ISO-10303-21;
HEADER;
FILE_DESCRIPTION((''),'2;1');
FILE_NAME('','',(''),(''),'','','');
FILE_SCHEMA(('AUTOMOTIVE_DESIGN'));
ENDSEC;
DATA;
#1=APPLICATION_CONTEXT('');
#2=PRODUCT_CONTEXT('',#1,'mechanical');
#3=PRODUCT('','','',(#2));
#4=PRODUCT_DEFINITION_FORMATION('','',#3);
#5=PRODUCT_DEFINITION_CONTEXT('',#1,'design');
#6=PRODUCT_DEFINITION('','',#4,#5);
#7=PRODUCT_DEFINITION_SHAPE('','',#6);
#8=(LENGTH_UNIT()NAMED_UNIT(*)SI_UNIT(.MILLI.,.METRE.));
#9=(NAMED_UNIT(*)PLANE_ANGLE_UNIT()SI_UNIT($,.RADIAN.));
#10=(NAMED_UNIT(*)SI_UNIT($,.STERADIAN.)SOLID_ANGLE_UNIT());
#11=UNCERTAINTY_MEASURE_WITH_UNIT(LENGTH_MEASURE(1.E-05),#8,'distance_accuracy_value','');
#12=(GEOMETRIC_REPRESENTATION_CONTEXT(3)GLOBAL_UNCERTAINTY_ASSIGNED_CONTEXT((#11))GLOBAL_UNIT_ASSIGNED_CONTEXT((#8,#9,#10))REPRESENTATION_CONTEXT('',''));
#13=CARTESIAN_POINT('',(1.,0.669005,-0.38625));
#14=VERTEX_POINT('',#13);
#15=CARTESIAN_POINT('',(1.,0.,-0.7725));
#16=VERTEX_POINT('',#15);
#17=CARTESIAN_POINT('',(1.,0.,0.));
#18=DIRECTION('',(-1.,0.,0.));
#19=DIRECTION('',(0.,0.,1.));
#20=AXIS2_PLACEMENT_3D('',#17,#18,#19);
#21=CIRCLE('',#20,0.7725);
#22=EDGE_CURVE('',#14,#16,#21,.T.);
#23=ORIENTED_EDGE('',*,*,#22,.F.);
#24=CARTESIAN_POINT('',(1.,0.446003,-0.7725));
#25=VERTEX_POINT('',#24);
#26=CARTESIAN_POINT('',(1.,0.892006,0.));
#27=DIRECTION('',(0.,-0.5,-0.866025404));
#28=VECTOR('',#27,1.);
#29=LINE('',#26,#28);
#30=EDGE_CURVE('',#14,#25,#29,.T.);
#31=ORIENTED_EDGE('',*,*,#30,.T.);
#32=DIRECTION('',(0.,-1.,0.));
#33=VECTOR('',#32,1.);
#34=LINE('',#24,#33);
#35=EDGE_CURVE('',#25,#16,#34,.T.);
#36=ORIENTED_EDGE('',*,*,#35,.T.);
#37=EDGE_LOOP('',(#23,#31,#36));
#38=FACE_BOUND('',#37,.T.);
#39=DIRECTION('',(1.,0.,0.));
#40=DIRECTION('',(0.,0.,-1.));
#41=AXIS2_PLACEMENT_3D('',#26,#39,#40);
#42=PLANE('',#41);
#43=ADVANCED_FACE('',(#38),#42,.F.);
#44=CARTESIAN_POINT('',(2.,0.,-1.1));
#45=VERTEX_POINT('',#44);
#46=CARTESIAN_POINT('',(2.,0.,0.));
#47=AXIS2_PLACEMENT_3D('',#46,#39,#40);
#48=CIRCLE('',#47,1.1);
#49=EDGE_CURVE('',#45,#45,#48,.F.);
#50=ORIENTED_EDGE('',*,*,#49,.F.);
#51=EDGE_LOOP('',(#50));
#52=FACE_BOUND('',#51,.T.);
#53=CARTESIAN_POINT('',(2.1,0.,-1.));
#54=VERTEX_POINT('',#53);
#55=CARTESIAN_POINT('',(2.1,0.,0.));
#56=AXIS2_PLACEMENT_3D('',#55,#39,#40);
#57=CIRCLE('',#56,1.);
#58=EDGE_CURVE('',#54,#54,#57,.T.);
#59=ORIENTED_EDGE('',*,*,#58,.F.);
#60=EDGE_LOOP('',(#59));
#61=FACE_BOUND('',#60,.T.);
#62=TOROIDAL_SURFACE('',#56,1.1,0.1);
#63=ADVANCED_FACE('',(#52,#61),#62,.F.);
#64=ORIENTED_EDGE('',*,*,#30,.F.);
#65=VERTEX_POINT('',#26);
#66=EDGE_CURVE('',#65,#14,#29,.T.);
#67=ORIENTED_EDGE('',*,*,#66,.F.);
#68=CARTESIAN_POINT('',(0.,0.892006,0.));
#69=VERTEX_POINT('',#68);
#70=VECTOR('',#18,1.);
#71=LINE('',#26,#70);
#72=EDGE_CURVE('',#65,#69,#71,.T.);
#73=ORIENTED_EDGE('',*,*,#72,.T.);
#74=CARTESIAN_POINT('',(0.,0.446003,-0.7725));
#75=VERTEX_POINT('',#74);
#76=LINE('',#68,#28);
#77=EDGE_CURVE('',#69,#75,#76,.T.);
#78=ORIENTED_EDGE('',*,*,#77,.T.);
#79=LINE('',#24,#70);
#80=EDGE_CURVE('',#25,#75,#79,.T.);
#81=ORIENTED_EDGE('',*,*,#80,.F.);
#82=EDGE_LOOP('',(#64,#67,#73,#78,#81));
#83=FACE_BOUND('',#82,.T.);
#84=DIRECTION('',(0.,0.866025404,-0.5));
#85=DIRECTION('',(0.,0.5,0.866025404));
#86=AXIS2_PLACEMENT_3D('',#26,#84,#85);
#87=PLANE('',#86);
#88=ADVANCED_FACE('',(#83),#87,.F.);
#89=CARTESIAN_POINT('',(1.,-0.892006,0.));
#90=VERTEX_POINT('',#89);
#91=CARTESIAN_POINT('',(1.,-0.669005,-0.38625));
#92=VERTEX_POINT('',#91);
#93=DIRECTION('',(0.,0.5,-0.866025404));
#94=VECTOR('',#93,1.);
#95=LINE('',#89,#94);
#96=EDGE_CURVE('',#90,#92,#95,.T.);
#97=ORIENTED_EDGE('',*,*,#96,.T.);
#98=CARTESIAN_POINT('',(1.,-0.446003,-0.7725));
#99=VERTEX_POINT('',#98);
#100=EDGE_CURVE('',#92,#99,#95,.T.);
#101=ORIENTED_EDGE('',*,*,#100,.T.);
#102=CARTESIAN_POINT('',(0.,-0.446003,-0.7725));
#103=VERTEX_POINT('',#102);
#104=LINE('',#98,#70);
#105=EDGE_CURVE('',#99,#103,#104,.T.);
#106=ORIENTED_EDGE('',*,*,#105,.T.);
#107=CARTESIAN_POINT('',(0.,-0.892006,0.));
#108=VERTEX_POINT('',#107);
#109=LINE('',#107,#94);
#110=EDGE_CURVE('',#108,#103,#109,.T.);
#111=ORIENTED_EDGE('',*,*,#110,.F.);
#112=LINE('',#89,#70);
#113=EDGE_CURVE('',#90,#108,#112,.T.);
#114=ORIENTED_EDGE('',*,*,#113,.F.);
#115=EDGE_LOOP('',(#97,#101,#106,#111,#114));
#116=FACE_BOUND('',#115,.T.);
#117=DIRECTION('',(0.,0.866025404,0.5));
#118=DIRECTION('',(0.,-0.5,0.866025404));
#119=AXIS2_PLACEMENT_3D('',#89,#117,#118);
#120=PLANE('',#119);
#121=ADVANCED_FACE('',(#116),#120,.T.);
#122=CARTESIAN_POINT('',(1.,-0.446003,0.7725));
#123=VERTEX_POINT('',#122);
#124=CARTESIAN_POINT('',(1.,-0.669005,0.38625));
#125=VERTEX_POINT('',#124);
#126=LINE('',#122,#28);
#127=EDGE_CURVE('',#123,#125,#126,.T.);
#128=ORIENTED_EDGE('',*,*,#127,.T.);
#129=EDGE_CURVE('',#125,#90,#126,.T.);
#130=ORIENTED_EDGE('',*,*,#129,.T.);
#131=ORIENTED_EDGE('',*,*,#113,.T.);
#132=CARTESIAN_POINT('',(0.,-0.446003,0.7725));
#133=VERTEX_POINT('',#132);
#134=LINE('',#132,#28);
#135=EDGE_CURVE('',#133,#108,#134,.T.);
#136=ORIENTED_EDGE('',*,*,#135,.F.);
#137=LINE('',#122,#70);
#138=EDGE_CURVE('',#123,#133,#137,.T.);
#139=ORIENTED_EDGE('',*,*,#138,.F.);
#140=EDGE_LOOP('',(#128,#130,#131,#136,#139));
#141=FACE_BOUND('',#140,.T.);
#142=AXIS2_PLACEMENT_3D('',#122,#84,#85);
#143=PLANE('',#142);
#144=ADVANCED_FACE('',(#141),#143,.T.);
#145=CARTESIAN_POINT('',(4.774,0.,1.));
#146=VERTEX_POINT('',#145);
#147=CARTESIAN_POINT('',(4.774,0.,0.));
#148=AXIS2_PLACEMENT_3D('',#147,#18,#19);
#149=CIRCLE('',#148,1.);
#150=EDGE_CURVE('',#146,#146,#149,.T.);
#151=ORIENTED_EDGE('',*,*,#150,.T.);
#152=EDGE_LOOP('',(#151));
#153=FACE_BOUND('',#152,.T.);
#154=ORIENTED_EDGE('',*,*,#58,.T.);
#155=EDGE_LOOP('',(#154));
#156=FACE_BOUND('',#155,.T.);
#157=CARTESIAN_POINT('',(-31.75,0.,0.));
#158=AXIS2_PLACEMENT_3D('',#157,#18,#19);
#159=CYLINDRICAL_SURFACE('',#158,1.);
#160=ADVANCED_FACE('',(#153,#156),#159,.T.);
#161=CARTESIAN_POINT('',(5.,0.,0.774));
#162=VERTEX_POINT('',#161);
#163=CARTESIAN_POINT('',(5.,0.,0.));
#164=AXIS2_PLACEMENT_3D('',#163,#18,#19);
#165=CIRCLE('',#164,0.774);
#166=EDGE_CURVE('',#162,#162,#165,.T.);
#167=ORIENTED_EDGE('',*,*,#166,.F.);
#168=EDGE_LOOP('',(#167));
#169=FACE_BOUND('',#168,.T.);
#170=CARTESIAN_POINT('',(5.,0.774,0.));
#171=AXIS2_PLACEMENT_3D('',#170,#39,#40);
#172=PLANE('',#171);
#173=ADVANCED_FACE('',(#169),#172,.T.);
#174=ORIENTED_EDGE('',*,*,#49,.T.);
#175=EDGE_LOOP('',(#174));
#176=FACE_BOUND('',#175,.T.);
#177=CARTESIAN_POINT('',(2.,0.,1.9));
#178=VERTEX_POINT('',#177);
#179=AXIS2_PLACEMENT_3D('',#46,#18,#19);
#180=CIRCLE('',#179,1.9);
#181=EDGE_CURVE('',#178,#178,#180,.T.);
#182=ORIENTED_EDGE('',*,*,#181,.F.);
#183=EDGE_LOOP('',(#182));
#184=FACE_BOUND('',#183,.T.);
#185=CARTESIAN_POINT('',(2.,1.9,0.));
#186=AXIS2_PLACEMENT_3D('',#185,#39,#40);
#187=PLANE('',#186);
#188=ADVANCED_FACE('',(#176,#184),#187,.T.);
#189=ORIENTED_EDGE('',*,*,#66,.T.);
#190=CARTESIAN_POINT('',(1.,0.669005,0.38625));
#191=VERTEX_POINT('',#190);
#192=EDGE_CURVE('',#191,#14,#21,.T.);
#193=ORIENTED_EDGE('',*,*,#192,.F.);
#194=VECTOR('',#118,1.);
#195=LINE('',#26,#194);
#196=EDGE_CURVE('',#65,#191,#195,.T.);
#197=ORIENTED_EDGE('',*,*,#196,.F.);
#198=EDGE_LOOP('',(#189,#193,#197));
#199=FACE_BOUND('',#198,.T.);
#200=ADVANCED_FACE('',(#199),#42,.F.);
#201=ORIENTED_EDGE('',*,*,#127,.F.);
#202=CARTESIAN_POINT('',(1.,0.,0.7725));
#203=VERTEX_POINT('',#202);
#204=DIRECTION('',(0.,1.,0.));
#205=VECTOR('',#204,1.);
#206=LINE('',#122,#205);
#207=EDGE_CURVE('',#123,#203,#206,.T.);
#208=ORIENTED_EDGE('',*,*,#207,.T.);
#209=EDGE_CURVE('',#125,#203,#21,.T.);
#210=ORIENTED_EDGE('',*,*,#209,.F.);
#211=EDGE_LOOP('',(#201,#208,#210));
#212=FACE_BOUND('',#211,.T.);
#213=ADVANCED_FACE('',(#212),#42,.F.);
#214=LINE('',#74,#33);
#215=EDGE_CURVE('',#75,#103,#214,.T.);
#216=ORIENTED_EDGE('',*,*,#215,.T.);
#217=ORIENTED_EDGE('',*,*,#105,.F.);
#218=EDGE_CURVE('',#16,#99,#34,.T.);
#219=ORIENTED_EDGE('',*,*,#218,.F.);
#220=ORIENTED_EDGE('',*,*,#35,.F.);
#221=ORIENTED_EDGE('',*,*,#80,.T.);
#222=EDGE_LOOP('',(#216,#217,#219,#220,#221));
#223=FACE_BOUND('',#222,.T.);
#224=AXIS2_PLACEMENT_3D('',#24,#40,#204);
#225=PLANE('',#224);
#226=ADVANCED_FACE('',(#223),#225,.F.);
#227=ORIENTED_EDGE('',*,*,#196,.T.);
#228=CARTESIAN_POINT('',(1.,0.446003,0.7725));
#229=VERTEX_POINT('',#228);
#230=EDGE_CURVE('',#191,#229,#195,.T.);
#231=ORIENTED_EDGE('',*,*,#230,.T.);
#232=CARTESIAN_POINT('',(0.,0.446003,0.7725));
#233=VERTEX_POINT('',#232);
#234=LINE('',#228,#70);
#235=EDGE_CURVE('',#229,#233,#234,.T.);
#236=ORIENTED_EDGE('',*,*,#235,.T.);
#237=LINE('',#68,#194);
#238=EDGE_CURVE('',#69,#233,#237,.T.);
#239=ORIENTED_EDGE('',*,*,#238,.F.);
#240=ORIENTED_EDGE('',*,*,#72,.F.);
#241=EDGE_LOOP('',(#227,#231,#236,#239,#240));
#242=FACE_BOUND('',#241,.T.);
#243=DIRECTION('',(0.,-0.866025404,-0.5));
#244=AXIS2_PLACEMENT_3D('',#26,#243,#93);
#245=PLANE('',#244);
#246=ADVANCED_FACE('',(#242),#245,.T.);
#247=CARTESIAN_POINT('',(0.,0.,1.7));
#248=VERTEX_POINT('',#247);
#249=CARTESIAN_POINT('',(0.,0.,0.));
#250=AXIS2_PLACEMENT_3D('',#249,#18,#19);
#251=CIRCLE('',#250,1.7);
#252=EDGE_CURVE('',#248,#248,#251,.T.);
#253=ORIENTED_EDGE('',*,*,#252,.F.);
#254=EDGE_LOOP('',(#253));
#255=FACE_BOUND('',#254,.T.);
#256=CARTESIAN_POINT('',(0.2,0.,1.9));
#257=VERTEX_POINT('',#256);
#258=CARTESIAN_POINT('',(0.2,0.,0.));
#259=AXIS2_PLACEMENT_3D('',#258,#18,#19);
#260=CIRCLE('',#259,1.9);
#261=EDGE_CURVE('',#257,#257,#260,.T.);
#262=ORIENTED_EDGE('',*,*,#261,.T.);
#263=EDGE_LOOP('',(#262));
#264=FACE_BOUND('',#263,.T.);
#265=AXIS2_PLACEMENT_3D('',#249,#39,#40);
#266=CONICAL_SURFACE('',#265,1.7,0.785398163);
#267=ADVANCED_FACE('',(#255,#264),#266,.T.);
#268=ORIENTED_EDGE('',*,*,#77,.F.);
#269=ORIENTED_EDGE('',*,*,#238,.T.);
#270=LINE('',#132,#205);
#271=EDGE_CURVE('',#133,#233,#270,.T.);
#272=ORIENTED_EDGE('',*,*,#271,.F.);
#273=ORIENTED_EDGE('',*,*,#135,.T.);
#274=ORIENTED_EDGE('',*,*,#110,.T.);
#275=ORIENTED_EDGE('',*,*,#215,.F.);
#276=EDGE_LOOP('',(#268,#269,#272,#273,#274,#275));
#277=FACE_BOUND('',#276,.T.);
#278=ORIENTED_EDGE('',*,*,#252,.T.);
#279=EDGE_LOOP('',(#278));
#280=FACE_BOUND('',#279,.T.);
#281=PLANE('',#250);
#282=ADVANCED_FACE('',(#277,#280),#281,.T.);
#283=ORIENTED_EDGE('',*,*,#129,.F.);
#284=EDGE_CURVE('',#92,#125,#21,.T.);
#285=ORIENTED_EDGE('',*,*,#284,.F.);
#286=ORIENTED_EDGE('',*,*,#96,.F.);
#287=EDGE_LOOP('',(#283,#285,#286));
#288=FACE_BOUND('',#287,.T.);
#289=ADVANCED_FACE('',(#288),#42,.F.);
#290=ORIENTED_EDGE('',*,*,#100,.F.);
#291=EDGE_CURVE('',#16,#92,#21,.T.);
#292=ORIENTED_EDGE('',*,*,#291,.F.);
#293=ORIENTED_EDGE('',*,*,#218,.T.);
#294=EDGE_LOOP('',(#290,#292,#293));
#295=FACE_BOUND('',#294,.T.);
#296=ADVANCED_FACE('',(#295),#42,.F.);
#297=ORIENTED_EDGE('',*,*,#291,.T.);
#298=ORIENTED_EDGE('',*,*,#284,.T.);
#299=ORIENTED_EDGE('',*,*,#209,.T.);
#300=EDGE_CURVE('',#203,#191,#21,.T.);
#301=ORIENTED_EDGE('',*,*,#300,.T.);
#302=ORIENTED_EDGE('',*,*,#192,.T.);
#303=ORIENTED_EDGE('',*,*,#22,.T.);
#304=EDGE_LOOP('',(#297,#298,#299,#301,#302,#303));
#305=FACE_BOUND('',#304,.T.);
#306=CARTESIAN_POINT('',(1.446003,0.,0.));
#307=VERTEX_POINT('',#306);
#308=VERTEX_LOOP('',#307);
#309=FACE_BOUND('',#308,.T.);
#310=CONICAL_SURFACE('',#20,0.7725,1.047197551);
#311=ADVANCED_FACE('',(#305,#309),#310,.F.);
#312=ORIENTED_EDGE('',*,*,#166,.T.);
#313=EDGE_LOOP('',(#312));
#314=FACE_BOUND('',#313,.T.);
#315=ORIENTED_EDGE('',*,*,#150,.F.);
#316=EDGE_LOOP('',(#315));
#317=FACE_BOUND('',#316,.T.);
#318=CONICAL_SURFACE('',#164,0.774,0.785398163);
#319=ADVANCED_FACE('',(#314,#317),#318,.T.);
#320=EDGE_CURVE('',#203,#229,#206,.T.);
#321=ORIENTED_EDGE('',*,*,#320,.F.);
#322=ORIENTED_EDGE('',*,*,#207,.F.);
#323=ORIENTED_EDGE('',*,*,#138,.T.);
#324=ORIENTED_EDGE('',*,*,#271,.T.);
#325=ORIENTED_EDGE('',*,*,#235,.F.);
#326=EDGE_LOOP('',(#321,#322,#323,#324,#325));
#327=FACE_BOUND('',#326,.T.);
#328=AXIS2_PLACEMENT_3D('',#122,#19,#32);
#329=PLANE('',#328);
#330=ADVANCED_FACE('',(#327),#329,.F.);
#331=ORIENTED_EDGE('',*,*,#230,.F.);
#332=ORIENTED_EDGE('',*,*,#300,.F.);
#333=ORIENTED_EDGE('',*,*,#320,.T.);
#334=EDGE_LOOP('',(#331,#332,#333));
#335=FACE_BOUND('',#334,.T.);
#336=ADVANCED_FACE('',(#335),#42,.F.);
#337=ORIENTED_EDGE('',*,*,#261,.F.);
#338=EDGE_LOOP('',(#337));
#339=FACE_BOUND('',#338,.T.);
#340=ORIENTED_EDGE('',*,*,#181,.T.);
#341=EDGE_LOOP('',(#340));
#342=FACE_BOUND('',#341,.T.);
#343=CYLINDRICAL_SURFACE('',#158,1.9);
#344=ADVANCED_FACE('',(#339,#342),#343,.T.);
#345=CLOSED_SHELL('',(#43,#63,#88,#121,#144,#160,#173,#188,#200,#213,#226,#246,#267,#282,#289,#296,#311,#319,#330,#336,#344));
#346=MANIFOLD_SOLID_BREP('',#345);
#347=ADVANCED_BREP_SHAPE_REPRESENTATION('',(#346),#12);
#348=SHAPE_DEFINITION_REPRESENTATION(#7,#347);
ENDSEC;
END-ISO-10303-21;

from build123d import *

# Parameters (mm, degrees)
FILLET1_R   = 0.1
HEX_2_DEPTH = 1


with BuildPart() as part:
    # BodySke → Base-Revolve (revolve)
    with BuildSketch(Plane.XY, mode=Mode.PRIVATE) as base_revolve_sk:
        Polygon((0, 0), (0, 1.7), (0.2, 1.9), (2, 1.9), (2, 1), (4.774, 1), (5, 0.774), (5, 0), align=None)
    revolve(base_revolve_sk.sketch.rotate(Axis((-31.75, 0, 0), (1, 0, 0)), 90), axis=Axis((-31.75, 0, 0), (1, 0, 0)))

    # Fillet1
    fillet1_edges = [part.edges().sort_by_distance(p)[0] for p in [
        (2, 0, -1),
    ]]
    fillet(fillet1_edges, radius=FILLET1_R)

    # Sketch2 → Hex-PreBroach (revolve, cut)
    with BuildSketch(Plane.XY, mode=Mode.PRIVATE) as hex_prebroach_sk:
        Polygon((0, 0.7725), (1, 0.7725), (1.446003083, 0), (0, 0), align=None)
    revolve(hex_prebroach_sk.sketch.rotate(Axis((0, 0, 0), (1, 0, 0)), 90), axis=Axis((0, 0, 0), (1, 0, 0)), mode=Mode.SUBTRACT)

    # Sketch3 → Hex 2 (cut)
    with BuildSketch(Plane(origin=(0, 0, 0), x_dir=(0, 0.500000000000001, 0.866025403784438), z_dir=(-1, 0, 0))):
        Polygon((0.446003083, 0.7725), (-0.446003083, 0.7725), (-0.892006166, 0), (-0.446003083, -0.7725), (0.446003083, -0.7725), (0.892006166, 0), align=None)
    extrude(amount=-HEX_2_DEPTH, mode=Mode.SUBTRACT)


solid = part.part
